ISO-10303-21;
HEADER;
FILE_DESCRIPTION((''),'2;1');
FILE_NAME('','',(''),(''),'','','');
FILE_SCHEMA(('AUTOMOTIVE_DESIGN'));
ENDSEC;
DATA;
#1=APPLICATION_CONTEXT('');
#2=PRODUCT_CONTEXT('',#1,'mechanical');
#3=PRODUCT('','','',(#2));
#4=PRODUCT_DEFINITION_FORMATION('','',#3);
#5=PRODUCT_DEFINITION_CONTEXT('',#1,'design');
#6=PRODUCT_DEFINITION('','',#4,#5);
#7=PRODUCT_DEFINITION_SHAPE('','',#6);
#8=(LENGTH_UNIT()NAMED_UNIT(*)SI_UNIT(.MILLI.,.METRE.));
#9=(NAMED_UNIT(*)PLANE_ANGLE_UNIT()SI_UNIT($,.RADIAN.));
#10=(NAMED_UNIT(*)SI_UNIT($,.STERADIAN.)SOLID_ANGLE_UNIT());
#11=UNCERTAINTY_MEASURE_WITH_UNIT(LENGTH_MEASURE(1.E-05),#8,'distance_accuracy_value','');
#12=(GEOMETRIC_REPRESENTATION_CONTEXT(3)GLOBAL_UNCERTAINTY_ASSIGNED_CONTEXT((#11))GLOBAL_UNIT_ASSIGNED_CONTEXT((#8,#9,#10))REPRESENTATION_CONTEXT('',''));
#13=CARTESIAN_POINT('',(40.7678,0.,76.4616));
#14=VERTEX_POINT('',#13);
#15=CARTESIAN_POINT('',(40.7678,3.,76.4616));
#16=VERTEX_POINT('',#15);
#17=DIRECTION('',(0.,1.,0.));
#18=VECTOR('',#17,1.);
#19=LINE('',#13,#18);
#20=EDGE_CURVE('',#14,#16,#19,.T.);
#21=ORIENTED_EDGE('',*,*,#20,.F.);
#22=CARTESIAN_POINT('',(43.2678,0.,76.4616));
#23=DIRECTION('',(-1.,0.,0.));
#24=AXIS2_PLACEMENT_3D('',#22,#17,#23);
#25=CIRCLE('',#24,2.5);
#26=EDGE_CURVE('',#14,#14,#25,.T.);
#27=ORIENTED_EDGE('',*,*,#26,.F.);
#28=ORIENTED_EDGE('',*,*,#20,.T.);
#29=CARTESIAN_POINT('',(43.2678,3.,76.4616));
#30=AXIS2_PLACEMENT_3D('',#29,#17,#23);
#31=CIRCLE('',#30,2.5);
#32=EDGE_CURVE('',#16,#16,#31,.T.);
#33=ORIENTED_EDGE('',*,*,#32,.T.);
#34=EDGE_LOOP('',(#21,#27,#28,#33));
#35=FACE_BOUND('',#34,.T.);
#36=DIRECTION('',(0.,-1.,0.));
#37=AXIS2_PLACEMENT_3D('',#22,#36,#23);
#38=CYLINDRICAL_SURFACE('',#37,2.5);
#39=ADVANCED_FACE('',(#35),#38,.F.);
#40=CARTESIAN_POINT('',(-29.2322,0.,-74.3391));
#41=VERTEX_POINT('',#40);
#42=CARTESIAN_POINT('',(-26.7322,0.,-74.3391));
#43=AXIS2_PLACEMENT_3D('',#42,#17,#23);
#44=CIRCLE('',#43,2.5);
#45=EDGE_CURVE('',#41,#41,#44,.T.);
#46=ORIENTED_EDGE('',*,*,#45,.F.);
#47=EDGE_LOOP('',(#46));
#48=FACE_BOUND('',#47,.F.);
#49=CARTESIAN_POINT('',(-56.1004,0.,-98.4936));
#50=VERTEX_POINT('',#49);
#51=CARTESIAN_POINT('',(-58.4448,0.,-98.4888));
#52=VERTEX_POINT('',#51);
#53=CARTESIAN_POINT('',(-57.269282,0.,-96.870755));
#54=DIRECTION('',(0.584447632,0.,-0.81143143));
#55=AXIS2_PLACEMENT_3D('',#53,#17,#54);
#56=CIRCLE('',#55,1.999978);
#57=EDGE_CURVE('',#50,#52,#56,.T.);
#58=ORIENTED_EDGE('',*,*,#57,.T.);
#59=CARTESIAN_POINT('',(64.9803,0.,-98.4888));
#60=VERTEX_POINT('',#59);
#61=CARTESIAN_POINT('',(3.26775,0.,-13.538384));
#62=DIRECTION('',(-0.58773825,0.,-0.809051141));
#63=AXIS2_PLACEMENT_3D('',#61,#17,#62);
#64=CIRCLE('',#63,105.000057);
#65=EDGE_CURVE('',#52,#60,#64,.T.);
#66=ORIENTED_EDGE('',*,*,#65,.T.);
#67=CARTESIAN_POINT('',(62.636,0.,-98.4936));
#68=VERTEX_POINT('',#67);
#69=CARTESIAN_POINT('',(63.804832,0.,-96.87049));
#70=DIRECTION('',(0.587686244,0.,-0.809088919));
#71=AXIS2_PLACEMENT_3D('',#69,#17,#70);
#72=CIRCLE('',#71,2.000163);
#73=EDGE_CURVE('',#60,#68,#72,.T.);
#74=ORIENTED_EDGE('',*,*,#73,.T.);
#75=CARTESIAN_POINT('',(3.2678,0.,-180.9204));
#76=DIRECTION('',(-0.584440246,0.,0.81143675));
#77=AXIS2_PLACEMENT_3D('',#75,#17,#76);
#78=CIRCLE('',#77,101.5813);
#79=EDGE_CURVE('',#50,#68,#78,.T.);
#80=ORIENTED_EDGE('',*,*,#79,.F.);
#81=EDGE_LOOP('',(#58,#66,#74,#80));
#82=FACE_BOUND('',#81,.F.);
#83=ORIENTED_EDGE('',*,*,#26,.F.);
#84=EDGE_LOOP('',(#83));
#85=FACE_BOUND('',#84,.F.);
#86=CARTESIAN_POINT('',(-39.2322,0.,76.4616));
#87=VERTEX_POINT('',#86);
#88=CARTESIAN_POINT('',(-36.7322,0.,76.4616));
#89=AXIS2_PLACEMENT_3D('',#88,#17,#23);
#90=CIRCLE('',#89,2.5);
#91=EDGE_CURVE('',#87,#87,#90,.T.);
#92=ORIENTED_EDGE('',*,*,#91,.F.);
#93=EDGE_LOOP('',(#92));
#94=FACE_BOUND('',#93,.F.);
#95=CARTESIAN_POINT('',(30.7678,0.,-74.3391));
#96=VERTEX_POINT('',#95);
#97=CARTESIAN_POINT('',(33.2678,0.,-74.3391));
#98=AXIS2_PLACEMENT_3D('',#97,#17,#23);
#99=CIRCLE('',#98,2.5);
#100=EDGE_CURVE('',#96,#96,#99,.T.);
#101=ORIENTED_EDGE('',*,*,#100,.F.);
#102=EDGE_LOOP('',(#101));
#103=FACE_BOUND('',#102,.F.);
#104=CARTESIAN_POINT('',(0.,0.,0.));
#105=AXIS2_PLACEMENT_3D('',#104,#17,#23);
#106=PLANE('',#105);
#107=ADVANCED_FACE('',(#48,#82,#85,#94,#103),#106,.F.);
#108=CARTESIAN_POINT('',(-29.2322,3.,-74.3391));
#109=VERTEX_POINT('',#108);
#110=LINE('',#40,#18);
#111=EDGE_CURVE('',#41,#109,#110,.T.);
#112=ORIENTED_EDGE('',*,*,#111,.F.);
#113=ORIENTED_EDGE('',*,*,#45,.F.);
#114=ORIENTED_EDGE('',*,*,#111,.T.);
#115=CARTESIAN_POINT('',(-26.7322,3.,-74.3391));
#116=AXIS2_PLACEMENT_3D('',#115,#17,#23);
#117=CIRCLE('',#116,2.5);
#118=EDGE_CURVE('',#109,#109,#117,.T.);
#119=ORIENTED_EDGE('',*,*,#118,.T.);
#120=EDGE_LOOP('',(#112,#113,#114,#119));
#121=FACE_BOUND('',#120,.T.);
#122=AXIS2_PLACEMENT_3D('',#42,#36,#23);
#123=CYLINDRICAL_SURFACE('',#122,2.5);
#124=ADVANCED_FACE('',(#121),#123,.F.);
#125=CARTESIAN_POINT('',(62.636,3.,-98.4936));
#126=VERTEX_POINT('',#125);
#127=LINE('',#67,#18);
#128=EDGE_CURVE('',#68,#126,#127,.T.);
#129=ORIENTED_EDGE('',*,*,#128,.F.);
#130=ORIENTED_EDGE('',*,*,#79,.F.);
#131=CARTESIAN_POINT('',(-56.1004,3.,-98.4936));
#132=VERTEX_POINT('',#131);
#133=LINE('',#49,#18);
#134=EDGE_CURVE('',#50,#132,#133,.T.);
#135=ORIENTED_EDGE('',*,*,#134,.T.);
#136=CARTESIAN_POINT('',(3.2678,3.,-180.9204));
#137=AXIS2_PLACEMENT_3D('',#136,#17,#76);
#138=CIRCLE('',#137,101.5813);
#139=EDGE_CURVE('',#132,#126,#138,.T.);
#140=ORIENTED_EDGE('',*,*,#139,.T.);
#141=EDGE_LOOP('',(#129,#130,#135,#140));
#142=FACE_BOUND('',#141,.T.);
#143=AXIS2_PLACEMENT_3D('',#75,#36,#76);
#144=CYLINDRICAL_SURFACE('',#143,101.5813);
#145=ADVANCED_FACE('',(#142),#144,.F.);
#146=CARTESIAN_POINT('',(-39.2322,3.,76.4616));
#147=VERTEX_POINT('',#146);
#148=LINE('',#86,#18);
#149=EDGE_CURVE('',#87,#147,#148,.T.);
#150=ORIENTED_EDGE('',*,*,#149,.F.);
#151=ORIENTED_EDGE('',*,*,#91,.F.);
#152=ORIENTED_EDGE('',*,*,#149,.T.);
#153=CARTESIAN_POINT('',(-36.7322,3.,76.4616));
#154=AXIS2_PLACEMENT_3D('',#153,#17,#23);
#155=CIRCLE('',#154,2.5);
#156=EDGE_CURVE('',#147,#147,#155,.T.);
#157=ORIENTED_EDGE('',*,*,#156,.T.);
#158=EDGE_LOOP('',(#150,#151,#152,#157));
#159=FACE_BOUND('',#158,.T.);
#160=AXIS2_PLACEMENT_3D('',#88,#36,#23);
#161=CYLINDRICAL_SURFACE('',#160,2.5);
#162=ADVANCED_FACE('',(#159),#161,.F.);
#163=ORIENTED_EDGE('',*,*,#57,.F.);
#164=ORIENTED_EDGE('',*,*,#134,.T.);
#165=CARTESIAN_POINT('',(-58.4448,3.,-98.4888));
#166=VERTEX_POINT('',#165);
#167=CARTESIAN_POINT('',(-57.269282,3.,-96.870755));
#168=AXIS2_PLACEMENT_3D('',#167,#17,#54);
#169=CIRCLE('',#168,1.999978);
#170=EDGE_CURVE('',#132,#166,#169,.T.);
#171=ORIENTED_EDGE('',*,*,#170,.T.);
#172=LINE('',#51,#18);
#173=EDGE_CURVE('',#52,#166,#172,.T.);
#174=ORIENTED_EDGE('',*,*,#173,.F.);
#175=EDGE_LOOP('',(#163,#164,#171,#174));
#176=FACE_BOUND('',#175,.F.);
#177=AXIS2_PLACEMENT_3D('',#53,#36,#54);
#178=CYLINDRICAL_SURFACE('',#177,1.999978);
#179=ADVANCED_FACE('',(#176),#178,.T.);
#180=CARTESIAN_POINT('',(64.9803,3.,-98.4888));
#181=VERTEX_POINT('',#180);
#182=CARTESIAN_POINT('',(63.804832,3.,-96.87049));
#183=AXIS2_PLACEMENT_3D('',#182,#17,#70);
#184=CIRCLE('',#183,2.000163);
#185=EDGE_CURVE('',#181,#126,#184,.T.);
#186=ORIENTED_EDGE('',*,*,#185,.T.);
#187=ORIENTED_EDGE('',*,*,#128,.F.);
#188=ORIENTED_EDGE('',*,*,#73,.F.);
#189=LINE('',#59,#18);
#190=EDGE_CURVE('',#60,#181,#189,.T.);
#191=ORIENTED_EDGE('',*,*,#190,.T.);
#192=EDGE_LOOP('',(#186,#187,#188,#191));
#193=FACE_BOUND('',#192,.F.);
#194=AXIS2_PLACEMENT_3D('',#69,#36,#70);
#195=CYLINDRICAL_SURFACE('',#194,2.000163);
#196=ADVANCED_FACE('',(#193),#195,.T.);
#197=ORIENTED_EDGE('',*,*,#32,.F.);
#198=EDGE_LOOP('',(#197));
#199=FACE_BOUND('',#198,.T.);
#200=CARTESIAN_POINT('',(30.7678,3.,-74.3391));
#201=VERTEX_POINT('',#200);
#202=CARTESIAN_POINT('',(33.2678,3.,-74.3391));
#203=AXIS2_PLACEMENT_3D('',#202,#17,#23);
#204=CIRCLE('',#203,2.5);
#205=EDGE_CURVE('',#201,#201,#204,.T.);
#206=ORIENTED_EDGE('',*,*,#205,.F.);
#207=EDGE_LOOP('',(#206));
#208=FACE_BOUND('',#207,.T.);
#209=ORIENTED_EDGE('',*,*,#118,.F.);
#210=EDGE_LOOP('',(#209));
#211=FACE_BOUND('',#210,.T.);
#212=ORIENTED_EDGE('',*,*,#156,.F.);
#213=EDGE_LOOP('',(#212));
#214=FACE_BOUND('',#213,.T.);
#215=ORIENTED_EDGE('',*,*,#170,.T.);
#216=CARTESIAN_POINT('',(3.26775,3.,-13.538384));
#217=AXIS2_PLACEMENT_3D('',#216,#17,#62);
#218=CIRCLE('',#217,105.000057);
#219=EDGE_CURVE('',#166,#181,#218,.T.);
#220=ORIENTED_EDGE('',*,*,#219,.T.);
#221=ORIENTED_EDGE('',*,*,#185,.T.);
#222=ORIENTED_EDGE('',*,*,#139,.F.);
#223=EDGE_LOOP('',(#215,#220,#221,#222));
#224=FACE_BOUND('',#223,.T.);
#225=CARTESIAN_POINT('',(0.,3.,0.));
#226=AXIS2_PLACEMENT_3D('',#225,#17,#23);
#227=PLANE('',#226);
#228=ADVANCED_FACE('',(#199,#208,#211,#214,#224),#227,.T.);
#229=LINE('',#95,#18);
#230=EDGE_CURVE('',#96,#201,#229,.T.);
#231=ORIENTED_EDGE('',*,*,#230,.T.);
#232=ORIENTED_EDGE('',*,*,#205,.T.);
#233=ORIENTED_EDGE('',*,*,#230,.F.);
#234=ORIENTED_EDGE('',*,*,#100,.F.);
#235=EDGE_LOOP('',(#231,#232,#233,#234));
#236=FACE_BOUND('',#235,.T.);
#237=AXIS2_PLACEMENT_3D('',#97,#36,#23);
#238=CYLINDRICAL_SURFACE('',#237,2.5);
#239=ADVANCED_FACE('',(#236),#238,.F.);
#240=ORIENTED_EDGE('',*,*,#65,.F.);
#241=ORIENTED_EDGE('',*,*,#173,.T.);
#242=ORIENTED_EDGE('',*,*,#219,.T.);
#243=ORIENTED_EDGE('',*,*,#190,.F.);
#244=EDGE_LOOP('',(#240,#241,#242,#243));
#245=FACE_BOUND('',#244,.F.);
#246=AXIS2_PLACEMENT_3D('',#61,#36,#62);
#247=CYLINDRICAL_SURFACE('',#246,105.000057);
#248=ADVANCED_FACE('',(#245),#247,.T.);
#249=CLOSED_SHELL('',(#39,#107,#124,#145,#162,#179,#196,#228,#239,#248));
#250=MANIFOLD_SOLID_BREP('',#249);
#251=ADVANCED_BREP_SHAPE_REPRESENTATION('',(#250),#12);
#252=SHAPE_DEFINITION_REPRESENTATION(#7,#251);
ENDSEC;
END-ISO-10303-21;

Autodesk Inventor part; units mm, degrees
ref_plane "YZ Plane" through (0, 0, 0) normal (1, 0, 0) x (0, 1, 0)
ref_plane "XZ Plane" through (0, 0, 0) normal (0, 1, 0) x (-1, 0, 0)
ref_plane "XY Plane" through (0, 0, 0) normal (0, 0, 1) x (1, 0, 0)
sketch "Sketch1" plane through (0, 0, 0) normal (0, 1, 0) x (-1, 0, 0)
  arc A0 (56.1004, -98.4936) -> (58.4448, -98.4888) centre (57.2693, -96.8707) ccw
  arc A1 (56.1004, -98.4936) -> (-62.636, -98.4936) centre (-3.2678, -180.9204) ccw
  arc A2 (-64.9803, -98.4888) -> (-62.636, -98.4936) centre (-63.8049, -96.8707) ccw
  circle A3 centre (-33.2678, -74.3391) radius 2.5
  circle A4 centre (26.7322, -74.3391) radius 2.5
  circle A5 centre (-43.2678, 76.4616) radius 2.5
  circle A6 centre (36.7322, 76.4616) radius 2.5
  arc A7 (58.4448, -98.4888) -> (-64.9803, -98.4888) centre (-3.2678, -13.5384) ccw
  circle A8 centre (-33.2678, -74.3391) radius 2.5
  circle A9 centre (26.7322, -74.3391) radius 2.5
  circle A10 centre (-33.2678, -74.3391) radius 2.5
  circle A11 centre (26.7322, -74.3391) radius 2.5
  point P0 (0, 0)
  dimension "d25" = 90
  dimension "d26" = 40
  dimension "d27" = 90
  dimension "d28" = 40
extrude "Extrusion5" add sketch "Sketch1" along normal blind 3
properties part number "Middle plate" material "Polycarbonate, Clear"
